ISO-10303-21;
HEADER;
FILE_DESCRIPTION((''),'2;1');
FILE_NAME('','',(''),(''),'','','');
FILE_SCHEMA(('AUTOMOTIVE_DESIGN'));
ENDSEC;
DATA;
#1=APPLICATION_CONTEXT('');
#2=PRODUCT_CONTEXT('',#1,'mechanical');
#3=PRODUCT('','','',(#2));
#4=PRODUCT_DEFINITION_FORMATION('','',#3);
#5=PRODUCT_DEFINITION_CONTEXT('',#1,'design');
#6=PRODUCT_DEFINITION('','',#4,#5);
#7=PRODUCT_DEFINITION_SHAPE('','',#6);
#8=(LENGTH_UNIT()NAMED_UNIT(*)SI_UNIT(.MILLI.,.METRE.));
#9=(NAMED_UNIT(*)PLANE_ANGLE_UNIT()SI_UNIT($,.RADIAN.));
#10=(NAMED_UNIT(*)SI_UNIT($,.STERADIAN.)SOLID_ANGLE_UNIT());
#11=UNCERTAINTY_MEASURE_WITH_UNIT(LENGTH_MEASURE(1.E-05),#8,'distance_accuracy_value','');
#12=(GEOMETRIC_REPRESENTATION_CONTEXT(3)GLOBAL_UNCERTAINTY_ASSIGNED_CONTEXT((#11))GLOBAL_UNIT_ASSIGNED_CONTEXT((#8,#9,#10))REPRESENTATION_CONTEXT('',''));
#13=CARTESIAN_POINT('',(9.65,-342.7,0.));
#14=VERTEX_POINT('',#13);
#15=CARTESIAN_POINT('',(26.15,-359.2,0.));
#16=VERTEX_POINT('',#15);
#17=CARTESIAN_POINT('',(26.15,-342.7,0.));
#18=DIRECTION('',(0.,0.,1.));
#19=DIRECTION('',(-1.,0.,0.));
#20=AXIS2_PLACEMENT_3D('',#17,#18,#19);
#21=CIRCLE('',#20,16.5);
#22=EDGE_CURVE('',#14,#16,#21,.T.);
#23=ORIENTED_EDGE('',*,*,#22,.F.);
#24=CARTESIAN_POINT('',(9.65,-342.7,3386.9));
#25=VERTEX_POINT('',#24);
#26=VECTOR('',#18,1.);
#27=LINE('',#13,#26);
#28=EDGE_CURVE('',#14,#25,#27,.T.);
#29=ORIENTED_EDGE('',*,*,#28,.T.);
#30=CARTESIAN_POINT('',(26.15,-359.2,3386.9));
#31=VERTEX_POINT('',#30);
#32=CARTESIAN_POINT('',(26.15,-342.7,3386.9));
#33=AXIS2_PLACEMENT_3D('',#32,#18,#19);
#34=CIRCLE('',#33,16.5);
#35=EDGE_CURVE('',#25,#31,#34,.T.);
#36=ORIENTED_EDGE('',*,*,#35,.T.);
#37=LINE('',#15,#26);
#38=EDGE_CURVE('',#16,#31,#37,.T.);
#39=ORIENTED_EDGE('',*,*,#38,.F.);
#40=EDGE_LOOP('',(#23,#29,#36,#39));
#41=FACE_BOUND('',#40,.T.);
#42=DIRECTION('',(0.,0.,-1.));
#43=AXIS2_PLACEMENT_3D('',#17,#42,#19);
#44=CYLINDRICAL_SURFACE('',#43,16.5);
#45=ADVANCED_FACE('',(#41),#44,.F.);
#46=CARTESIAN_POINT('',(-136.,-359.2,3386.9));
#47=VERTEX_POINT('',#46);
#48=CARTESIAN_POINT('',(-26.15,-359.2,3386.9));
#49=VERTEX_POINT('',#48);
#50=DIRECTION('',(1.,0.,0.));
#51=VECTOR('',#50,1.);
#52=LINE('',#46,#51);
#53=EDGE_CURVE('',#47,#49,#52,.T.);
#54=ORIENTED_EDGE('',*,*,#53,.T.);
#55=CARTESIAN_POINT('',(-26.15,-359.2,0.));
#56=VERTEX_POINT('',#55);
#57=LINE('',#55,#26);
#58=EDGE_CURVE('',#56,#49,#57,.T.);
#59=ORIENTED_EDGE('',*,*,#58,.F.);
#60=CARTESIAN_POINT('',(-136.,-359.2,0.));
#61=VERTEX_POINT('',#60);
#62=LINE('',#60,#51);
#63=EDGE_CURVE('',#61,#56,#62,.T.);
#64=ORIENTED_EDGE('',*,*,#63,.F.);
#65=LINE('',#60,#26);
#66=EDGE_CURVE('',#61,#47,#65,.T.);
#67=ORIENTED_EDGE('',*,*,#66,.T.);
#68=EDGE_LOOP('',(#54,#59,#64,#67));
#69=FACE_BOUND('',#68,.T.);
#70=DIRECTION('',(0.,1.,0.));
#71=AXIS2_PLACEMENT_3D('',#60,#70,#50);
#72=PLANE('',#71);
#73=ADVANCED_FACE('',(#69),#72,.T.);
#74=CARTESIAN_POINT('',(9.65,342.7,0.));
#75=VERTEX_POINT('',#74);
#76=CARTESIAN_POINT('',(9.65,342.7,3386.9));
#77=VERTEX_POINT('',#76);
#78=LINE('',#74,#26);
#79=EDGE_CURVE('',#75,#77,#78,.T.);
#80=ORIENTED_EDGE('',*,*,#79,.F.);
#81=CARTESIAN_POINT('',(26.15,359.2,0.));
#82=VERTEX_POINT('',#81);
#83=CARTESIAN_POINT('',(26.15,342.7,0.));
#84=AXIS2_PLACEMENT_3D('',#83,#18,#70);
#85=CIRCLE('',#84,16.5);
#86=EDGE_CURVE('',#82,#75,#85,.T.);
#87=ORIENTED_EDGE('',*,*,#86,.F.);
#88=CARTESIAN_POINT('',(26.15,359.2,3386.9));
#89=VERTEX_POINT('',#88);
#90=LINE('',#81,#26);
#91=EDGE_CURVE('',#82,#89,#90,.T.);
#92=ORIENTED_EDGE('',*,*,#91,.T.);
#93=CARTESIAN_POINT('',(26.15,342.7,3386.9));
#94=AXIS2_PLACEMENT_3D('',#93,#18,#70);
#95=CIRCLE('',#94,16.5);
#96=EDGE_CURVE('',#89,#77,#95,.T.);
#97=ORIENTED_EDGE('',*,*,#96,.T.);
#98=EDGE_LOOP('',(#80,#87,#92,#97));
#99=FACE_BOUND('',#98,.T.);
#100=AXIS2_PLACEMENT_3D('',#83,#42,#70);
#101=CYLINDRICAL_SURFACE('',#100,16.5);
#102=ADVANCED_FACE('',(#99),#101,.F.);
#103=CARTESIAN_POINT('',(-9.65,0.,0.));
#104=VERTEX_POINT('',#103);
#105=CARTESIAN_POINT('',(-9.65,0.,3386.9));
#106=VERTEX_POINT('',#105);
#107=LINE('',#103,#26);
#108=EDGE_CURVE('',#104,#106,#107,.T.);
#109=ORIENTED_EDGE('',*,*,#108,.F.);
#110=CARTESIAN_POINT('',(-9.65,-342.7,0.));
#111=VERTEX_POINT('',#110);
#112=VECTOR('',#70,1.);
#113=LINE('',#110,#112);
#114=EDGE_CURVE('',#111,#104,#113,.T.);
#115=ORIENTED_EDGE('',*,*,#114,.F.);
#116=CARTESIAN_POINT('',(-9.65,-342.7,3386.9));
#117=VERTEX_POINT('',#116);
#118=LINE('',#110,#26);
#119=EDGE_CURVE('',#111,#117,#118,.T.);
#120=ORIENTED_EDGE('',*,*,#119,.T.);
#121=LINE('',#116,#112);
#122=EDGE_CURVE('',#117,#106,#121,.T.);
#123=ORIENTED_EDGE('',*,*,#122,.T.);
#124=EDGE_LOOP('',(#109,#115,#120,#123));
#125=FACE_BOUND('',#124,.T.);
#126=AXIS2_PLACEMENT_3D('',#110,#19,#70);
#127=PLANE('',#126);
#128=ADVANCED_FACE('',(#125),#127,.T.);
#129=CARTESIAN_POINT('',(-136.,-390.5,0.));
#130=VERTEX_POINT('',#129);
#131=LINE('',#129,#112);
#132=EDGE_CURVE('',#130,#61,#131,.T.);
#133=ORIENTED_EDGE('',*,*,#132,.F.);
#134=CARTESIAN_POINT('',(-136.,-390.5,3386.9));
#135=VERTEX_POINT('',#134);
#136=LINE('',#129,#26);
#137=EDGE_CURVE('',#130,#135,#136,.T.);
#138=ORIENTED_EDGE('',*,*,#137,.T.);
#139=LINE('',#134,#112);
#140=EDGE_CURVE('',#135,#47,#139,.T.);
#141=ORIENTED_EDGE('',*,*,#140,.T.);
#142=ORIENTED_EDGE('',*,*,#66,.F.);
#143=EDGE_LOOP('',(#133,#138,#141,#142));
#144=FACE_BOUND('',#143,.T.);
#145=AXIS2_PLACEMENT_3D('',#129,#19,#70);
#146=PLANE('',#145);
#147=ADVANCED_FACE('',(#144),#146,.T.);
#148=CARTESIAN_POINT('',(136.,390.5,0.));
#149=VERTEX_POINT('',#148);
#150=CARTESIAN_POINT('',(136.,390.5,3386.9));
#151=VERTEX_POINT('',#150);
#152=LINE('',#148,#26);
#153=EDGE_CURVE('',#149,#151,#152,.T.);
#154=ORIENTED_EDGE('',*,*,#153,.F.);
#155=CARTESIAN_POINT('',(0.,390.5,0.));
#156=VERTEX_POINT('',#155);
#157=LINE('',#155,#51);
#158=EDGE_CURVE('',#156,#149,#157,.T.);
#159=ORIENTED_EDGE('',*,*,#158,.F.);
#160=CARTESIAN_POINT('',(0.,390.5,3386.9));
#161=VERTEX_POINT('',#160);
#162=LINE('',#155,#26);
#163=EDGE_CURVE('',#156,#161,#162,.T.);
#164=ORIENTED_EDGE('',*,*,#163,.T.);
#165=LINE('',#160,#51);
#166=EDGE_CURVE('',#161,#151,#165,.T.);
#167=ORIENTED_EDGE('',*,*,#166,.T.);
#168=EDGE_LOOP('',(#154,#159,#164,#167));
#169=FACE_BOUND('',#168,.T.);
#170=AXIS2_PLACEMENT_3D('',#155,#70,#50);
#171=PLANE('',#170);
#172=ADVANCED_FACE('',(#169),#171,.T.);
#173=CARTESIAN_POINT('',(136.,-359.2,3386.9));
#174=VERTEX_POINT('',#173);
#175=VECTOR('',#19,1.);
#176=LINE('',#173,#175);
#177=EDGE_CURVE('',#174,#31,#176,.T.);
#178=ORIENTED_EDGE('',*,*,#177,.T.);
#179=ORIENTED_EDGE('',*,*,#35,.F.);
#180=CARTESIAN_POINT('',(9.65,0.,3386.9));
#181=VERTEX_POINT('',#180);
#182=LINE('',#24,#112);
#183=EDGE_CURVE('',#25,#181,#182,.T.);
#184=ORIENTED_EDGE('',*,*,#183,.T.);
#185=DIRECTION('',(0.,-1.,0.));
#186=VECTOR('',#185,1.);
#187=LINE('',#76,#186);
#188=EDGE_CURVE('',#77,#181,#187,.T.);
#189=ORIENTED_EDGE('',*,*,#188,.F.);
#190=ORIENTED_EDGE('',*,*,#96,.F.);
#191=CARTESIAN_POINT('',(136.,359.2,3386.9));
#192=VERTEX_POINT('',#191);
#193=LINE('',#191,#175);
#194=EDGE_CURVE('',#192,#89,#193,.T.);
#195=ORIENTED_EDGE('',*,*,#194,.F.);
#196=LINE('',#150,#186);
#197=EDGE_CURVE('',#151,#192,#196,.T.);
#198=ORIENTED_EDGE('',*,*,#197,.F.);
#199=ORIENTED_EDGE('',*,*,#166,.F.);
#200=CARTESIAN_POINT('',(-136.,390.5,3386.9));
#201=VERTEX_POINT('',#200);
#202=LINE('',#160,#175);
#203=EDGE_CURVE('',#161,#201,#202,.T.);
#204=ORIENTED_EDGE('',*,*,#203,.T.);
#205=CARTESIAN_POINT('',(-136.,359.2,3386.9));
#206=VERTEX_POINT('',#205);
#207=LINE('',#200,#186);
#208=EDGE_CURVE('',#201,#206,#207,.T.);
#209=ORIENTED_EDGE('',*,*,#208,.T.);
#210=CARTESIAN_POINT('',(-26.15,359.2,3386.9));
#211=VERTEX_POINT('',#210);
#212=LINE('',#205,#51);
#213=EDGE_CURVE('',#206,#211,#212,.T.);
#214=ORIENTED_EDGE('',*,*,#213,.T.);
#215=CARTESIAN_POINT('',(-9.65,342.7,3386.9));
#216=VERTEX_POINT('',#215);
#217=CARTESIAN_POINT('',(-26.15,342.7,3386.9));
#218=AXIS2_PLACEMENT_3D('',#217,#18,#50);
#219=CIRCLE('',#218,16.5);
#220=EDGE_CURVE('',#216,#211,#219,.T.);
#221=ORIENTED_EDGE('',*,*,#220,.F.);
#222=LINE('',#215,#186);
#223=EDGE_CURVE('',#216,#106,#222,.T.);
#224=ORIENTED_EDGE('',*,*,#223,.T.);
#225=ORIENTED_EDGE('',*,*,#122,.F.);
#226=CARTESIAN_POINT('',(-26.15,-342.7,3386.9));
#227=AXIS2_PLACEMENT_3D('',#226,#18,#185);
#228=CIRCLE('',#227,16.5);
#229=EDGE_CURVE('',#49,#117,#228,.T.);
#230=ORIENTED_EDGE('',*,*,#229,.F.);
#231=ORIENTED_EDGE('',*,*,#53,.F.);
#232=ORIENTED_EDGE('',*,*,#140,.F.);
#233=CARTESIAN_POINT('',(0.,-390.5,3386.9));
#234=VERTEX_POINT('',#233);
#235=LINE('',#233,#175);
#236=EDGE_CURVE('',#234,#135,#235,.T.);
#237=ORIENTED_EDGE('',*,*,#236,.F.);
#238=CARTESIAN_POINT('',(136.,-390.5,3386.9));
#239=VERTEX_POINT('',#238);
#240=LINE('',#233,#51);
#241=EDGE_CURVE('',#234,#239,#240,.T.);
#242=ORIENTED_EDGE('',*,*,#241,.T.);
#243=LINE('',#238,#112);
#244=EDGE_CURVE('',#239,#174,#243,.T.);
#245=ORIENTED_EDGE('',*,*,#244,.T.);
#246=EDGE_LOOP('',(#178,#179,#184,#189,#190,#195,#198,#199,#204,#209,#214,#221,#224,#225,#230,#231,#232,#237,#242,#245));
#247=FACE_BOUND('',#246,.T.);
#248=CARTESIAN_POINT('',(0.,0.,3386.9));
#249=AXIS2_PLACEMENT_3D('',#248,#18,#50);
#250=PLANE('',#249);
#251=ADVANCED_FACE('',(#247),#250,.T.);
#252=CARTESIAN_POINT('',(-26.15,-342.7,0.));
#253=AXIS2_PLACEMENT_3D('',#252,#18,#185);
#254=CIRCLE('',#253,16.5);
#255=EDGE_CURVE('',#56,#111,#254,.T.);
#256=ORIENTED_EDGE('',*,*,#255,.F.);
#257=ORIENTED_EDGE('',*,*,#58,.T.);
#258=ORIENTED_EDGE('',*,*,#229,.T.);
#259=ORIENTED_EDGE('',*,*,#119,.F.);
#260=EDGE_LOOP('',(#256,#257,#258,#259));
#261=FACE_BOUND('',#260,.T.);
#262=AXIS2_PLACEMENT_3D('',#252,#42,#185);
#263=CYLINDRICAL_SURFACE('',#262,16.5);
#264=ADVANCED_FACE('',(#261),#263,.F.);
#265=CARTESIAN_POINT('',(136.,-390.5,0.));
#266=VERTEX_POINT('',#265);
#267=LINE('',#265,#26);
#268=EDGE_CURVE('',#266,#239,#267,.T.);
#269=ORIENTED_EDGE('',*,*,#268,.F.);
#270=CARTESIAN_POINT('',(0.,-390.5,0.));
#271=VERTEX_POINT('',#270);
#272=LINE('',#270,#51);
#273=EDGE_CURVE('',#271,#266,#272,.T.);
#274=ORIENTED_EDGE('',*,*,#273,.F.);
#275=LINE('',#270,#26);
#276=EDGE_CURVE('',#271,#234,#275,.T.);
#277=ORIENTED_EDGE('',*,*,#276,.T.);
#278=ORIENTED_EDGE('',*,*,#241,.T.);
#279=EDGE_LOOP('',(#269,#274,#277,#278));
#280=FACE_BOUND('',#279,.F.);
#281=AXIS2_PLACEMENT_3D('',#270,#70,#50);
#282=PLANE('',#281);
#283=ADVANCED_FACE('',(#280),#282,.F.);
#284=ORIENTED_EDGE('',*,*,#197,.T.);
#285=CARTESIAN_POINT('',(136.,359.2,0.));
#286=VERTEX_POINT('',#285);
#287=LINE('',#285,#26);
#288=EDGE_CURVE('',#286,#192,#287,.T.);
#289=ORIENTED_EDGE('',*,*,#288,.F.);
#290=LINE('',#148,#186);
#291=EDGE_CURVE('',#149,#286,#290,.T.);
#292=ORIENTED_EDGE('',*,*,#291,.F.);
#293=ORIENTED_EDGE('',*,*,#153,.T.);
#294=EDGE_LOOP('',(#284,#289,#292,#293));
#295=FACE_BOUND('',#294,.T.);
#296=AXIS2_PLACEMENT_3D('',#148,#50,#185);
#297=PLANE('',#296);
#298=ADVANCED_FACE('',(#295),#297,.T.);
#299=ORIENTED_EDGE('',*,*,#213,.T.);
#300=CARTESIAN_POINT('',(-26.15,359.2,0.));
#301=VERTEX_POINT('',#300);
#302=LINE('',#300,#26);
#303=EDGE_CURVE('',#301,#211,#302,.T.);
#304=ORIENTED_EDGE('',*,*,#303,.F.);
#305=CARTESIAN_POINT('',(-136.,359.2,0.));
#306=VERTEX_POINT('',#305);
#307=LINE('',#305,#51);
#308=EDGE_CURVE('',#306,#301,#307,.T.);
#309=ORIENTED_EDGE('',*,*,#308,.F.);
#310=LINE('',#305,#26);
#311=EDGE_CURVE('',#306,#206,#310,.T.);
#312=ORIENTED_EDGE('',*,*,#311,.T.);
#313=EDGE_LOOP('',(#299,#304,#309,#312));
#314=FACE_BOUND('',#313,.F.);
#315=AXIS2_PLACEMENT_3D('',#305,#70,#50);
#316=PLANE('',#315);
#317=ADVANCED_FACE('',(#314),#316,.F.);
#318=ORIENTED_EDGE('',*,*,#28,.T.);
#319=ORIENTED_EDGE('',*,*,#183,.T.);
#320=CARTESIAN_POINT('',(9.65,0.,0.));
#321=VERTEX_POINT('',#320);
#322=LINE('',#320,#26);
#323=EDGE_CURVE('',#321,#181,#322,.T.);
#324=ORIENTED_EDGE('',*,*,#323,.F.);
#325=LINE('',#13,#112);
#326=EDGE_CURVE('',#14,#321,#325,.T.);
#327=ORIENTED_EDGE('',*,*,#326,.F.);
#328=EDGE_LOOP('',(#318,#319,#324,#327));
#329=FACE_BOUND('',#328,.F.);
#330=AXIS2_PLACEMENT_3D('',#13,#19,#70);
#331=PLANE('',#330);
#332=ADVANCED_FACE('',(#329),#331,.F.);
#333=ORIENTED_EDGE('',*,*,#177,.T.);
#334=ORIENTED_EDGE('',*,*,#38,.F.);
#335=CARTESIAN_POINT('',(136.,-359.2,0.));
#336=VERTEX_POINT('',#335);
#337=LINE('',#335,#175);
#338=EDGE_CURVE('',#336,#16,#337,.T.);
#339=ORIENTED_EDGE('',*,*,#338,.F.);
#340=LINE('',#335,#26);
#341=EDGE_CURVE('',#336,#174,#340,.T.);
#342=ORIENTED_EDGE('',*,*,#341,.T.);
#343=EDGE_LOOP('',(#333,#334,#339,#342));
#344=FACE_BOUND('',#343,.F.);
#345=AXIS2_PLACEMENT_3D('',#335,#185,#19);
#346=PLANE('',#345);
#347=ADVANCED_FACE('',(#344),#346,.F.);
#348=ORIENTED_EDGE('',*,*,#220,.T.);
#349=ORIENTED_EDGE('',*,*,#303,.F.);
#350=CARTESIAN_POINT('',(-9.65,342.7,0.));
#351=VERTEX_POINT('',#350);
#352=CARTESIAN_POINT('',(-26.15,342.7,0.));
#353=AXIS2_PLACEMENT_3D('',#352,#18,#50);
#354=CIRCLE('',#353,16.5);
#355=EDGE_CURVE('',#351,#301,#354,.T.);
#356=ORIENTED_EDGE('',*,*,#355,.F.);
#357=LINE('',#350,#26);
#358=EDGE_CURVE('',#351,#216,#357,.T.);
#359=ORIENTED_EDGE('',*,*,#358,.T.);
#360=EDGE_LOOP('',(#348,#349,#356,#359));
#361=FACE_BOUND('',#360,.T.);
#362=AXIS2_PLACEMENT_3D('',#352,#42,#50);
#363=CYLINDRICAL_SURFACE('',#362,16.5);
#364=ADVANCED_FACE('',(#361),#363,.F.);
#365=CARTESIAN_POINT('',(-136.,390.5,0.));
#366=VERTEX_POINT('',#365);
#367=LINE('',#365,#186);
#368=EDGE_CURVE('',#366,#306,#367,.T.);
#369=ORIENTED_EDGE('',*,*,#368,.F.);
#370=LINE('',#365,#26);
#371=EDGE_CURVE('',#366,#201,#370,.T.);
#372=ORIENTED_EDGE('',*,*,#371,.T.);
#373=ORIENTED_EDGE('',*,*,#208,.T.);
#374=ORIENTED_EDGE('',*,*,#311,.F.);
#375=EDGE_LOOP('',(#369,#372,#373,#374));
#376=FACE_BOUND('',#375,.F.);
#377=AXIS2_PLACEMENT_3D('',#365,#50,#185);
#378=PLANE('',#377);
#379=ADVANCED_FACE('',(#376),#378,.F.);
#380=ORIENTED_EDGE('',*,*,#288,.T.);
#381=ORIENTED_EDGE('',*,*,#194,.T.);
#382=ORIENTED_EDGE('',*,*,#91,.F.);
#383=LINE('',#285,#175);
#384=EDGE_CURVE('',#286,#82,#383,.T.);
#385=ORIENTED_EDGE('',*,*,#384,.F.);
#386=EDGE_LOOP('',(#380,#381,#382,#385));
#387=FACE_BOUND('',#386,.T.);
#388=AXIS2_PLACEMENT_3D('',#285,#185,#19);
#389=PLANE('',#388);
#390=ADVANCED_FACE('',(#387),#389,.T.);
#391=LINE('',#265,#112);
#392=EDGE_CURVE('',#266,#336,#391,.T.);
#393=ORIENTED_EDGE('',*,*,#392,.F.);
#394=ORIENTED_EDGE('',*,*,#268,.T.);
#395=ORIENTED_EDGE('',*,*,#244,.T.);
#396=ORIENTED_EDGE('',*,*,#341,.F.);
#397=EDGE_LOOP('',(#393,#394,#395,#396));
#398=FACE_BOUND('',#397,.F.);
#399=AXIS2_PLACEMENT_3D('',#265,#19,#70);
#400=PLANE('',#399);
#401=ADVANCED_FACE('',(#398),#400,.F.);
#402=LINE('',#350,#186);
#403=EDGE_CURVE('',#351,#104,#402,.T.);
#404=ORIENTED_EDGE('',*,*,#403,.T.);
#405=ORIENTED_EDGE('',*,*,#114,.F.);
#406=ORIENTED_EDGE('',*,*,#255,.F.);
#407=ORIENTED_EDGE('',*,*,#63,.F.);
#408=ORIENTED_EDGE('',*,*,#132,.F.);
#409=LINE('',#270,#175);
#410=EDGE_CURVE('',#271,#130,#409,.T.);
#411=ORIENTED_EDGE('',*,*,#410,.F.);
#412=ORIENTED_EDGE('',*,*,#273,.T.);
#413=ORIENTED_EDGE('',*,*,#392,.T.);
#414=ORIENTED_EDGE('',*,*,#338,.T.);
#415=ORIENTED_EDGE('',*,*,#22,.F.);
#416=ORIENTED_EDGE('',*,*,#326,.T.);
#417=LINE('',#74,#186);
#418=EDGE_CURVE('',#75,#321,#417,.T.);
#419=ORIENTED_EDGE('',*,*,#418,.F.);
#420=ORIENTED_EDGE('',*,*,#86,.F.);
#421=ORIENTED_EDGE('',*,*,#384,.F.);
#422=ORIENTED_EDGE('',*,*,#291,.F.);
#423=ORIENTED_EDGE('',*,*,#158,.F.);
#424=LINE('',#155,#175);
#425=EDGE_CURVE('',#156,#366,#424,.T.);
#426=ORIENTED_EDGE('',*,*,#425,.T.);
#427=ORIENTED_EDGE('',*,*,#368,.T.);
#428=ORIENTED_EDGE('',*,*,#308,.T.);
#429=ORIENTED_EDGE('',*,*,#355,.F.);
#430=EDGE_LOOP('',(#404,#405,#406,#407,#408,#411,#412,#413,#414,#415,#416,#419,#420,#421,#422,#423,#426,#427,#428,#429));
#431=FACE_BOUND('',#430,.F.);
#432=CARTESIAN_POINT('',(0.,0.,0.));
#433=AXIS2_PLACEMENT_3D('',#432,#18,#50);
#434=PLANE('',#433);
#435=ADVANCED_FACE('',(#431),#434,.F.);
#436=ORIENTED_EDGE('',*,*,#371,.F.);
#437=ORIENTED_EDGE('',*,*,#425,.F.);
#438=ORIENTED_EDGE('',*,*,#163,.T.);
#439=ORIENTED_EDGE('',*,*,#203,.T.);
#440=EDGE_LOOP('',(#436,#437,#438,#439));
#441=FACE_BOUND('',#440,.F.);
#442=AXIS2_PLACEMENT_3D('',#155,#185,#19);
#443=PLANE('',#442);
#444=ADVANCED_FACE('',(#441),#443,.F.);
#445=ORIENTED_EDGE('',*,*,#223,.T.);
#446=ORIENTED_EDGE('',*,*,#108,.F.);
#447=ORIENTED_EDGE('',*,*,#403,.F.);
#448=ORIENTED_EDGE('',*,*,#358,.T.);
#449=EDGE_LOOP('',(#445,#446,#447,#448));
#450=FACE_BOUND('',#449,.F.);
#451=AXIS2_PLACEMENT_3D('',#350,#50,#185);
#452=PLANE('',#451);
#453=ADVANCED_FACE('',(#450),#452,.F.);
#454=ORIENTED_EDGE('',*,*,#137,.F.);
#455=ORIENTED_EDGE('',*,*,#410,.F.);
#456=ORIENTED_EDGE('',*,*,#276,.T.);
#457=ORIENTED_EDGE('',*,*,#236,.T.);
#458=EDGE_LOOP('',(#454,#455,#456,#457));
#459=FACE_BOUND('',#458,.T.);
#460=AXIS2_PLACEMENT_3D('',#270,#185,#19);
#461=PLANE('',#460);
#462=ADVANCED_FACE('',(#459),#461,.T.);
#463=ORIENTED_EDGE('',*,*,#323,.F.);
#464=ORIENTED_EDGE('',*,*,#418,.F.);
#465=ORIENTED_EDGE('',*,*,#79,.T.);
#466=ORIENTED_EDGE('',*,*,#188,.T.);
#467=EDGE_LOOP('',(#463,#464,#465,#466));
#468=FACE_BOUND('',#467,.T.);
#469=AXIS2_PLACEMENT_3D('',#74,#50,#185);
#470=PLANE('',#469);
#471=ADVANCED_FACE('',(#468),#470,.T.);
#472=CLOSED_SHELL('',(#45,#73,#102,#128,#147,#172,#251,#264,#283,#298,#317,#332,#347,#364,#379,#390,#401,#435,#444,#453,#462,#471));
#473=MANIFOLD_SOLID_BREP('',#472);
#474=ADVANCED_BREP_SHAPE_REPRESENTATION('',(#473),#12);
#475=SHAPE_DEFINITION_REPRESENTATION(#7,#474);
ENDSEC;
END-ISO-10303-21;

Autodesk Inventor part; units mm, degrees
ref_plane "YZ Plane" through (0, 0, 0) normal (1, 0, 0) x (0, 1, 0)
ref_plane "Start plane" through (0, 0, 0) normal (0, 0, 1) x (1, 0, 0)
ref_plane "End plane" through (0, 0, 3386.9) normal (0, 0, 1) x (1, 0, 0)
sketch "Sketch" plane through (0, 0, 0) normal (0, 0, 1) x (1, 0, 0)
  line L0 (-136, -390.5) -> (-136, -359.2)
  line L1 (-136, -359.2) -> (-26.15, -359.2)
  line L2 (-9.65, -342.7) -> (-9.65, 0)
  line L3 (-9.65, 0) -> (0, 0) construction
  line L4 (0, 0) -> (0, -390.5) construction
  line L5 (0, -390.5) -> (-136, -390.5)
  line L6 (-60, 0) -> (80, 0) construction
  line L7 (0, -60) -> (0, 80) construction
  line L8 (136, -390.5) -> (136, -359.2)
  line L9 (136, -359.2) -> (26.15, -359.2)
  line L10 (9.65, -342.7) -> (9.65, 0)
  line L11 (9.65, 0) -> (0, 0) construction
  line L12 (0, -390.5) -> (136, -390.5)
  line L13 (-136, 390.5) -> (-136, 359.2)
  line L14 (-136, 359.2) -> (-26.15, 359.2)
  line L15 (-9.65, 342.7) -> (-9.65, 0)
  line L16 (0, 390.5) -> (-136, 390.5)
  line L17 (136, 390.5) -> (136, 359.2)
  line L18 (136, 359.2) -> (26.15, 359.2)
  line L19 (0, 390.5) -> (136, 390.5)
  line L20 (9.65, 342.7) -> (9.65, 0)
  arc A0 (-9.65, 342.7) -> (-26.15, 359.2) centre (-26.15, 342.7) ccw
  arc A1 (26.15, 359.2) -> (9.65, 342.7) centre (26.15, 342.7) ccw
  arc A2 (9.65, -342.7) -> (26.15, -359.2) centre (26.15, -342.7) ccw
  arc A3 (-26.15, -359.2) -> (-9.65, -342.7) centre (-26.15, -342.7) ccw
  line L21 (0, 108) -> (0, -88) construction
  line L22 (-88, 0) -> (108, 0) construction
  point P0 (-9.65, -359.2)
  point P1 (9.65, -359.2)
  point P2 (-9.65, 359.2)
  point P3 (9.65, 359.2)
  dimension "d1" = 390.5
  dimension "d2" = 31.3
  dimension "d3" = 136
  dimension "d4" = 9.65
  dimension "d10" = 16.5
extrude "Body" add sketch "Sketch" along normal up to surface (3386.9 mm away) from surface at 0
sketch "Sketch4" plane through (0, 0, 0) normal (0, 0, 1) x (1, 0, 0)
  line L0 (0, 0) -> (10, 0)
ref_plane "Work Plane3" through (0, 0, 0) normal (0, -1, 0) x (1, 0, 0)
sketch "Sketch5" plane through (0, 0, 0) normal (0, -1, 0) x (1, 0, 0)
  line L0 (-2, 0) -> (12, 0) projected
  line L1 (-2, 3386.9) -> (12, 3386.9) projected
  dimension "d14" = 3386.9
equation "\"d1\" = 0.5 * G_H"
equation "\"d2\" = G_T1"
equation "\"d3\" = 0.5 * G_W"
equation "\"d4\" = 0.5 * G_T"
equation "\"d10\" = G_IR"
equation "\"d5\" = G_L"
equation "\"G_W\" = 272"
equation "\"G_H\" = 781"
equation "\"G_T\" = 19.3"
equation "\"G_T1\" = 31.3"
equation "\"G_IR\" = 16.5"
equation "\"G_L\" = d14"
equation "\"G_OFFSET_START\" = 0"
equation "\"G_OFFSET_END\" = 0"
equation "\"d12\" = G_OFFSET_END + B_L"
equation "\"B_L\" = 3386.9"
properties part number "AS 3679-1990 - 760 UB - 244 - 3386.9" material "Steel, Mild"
